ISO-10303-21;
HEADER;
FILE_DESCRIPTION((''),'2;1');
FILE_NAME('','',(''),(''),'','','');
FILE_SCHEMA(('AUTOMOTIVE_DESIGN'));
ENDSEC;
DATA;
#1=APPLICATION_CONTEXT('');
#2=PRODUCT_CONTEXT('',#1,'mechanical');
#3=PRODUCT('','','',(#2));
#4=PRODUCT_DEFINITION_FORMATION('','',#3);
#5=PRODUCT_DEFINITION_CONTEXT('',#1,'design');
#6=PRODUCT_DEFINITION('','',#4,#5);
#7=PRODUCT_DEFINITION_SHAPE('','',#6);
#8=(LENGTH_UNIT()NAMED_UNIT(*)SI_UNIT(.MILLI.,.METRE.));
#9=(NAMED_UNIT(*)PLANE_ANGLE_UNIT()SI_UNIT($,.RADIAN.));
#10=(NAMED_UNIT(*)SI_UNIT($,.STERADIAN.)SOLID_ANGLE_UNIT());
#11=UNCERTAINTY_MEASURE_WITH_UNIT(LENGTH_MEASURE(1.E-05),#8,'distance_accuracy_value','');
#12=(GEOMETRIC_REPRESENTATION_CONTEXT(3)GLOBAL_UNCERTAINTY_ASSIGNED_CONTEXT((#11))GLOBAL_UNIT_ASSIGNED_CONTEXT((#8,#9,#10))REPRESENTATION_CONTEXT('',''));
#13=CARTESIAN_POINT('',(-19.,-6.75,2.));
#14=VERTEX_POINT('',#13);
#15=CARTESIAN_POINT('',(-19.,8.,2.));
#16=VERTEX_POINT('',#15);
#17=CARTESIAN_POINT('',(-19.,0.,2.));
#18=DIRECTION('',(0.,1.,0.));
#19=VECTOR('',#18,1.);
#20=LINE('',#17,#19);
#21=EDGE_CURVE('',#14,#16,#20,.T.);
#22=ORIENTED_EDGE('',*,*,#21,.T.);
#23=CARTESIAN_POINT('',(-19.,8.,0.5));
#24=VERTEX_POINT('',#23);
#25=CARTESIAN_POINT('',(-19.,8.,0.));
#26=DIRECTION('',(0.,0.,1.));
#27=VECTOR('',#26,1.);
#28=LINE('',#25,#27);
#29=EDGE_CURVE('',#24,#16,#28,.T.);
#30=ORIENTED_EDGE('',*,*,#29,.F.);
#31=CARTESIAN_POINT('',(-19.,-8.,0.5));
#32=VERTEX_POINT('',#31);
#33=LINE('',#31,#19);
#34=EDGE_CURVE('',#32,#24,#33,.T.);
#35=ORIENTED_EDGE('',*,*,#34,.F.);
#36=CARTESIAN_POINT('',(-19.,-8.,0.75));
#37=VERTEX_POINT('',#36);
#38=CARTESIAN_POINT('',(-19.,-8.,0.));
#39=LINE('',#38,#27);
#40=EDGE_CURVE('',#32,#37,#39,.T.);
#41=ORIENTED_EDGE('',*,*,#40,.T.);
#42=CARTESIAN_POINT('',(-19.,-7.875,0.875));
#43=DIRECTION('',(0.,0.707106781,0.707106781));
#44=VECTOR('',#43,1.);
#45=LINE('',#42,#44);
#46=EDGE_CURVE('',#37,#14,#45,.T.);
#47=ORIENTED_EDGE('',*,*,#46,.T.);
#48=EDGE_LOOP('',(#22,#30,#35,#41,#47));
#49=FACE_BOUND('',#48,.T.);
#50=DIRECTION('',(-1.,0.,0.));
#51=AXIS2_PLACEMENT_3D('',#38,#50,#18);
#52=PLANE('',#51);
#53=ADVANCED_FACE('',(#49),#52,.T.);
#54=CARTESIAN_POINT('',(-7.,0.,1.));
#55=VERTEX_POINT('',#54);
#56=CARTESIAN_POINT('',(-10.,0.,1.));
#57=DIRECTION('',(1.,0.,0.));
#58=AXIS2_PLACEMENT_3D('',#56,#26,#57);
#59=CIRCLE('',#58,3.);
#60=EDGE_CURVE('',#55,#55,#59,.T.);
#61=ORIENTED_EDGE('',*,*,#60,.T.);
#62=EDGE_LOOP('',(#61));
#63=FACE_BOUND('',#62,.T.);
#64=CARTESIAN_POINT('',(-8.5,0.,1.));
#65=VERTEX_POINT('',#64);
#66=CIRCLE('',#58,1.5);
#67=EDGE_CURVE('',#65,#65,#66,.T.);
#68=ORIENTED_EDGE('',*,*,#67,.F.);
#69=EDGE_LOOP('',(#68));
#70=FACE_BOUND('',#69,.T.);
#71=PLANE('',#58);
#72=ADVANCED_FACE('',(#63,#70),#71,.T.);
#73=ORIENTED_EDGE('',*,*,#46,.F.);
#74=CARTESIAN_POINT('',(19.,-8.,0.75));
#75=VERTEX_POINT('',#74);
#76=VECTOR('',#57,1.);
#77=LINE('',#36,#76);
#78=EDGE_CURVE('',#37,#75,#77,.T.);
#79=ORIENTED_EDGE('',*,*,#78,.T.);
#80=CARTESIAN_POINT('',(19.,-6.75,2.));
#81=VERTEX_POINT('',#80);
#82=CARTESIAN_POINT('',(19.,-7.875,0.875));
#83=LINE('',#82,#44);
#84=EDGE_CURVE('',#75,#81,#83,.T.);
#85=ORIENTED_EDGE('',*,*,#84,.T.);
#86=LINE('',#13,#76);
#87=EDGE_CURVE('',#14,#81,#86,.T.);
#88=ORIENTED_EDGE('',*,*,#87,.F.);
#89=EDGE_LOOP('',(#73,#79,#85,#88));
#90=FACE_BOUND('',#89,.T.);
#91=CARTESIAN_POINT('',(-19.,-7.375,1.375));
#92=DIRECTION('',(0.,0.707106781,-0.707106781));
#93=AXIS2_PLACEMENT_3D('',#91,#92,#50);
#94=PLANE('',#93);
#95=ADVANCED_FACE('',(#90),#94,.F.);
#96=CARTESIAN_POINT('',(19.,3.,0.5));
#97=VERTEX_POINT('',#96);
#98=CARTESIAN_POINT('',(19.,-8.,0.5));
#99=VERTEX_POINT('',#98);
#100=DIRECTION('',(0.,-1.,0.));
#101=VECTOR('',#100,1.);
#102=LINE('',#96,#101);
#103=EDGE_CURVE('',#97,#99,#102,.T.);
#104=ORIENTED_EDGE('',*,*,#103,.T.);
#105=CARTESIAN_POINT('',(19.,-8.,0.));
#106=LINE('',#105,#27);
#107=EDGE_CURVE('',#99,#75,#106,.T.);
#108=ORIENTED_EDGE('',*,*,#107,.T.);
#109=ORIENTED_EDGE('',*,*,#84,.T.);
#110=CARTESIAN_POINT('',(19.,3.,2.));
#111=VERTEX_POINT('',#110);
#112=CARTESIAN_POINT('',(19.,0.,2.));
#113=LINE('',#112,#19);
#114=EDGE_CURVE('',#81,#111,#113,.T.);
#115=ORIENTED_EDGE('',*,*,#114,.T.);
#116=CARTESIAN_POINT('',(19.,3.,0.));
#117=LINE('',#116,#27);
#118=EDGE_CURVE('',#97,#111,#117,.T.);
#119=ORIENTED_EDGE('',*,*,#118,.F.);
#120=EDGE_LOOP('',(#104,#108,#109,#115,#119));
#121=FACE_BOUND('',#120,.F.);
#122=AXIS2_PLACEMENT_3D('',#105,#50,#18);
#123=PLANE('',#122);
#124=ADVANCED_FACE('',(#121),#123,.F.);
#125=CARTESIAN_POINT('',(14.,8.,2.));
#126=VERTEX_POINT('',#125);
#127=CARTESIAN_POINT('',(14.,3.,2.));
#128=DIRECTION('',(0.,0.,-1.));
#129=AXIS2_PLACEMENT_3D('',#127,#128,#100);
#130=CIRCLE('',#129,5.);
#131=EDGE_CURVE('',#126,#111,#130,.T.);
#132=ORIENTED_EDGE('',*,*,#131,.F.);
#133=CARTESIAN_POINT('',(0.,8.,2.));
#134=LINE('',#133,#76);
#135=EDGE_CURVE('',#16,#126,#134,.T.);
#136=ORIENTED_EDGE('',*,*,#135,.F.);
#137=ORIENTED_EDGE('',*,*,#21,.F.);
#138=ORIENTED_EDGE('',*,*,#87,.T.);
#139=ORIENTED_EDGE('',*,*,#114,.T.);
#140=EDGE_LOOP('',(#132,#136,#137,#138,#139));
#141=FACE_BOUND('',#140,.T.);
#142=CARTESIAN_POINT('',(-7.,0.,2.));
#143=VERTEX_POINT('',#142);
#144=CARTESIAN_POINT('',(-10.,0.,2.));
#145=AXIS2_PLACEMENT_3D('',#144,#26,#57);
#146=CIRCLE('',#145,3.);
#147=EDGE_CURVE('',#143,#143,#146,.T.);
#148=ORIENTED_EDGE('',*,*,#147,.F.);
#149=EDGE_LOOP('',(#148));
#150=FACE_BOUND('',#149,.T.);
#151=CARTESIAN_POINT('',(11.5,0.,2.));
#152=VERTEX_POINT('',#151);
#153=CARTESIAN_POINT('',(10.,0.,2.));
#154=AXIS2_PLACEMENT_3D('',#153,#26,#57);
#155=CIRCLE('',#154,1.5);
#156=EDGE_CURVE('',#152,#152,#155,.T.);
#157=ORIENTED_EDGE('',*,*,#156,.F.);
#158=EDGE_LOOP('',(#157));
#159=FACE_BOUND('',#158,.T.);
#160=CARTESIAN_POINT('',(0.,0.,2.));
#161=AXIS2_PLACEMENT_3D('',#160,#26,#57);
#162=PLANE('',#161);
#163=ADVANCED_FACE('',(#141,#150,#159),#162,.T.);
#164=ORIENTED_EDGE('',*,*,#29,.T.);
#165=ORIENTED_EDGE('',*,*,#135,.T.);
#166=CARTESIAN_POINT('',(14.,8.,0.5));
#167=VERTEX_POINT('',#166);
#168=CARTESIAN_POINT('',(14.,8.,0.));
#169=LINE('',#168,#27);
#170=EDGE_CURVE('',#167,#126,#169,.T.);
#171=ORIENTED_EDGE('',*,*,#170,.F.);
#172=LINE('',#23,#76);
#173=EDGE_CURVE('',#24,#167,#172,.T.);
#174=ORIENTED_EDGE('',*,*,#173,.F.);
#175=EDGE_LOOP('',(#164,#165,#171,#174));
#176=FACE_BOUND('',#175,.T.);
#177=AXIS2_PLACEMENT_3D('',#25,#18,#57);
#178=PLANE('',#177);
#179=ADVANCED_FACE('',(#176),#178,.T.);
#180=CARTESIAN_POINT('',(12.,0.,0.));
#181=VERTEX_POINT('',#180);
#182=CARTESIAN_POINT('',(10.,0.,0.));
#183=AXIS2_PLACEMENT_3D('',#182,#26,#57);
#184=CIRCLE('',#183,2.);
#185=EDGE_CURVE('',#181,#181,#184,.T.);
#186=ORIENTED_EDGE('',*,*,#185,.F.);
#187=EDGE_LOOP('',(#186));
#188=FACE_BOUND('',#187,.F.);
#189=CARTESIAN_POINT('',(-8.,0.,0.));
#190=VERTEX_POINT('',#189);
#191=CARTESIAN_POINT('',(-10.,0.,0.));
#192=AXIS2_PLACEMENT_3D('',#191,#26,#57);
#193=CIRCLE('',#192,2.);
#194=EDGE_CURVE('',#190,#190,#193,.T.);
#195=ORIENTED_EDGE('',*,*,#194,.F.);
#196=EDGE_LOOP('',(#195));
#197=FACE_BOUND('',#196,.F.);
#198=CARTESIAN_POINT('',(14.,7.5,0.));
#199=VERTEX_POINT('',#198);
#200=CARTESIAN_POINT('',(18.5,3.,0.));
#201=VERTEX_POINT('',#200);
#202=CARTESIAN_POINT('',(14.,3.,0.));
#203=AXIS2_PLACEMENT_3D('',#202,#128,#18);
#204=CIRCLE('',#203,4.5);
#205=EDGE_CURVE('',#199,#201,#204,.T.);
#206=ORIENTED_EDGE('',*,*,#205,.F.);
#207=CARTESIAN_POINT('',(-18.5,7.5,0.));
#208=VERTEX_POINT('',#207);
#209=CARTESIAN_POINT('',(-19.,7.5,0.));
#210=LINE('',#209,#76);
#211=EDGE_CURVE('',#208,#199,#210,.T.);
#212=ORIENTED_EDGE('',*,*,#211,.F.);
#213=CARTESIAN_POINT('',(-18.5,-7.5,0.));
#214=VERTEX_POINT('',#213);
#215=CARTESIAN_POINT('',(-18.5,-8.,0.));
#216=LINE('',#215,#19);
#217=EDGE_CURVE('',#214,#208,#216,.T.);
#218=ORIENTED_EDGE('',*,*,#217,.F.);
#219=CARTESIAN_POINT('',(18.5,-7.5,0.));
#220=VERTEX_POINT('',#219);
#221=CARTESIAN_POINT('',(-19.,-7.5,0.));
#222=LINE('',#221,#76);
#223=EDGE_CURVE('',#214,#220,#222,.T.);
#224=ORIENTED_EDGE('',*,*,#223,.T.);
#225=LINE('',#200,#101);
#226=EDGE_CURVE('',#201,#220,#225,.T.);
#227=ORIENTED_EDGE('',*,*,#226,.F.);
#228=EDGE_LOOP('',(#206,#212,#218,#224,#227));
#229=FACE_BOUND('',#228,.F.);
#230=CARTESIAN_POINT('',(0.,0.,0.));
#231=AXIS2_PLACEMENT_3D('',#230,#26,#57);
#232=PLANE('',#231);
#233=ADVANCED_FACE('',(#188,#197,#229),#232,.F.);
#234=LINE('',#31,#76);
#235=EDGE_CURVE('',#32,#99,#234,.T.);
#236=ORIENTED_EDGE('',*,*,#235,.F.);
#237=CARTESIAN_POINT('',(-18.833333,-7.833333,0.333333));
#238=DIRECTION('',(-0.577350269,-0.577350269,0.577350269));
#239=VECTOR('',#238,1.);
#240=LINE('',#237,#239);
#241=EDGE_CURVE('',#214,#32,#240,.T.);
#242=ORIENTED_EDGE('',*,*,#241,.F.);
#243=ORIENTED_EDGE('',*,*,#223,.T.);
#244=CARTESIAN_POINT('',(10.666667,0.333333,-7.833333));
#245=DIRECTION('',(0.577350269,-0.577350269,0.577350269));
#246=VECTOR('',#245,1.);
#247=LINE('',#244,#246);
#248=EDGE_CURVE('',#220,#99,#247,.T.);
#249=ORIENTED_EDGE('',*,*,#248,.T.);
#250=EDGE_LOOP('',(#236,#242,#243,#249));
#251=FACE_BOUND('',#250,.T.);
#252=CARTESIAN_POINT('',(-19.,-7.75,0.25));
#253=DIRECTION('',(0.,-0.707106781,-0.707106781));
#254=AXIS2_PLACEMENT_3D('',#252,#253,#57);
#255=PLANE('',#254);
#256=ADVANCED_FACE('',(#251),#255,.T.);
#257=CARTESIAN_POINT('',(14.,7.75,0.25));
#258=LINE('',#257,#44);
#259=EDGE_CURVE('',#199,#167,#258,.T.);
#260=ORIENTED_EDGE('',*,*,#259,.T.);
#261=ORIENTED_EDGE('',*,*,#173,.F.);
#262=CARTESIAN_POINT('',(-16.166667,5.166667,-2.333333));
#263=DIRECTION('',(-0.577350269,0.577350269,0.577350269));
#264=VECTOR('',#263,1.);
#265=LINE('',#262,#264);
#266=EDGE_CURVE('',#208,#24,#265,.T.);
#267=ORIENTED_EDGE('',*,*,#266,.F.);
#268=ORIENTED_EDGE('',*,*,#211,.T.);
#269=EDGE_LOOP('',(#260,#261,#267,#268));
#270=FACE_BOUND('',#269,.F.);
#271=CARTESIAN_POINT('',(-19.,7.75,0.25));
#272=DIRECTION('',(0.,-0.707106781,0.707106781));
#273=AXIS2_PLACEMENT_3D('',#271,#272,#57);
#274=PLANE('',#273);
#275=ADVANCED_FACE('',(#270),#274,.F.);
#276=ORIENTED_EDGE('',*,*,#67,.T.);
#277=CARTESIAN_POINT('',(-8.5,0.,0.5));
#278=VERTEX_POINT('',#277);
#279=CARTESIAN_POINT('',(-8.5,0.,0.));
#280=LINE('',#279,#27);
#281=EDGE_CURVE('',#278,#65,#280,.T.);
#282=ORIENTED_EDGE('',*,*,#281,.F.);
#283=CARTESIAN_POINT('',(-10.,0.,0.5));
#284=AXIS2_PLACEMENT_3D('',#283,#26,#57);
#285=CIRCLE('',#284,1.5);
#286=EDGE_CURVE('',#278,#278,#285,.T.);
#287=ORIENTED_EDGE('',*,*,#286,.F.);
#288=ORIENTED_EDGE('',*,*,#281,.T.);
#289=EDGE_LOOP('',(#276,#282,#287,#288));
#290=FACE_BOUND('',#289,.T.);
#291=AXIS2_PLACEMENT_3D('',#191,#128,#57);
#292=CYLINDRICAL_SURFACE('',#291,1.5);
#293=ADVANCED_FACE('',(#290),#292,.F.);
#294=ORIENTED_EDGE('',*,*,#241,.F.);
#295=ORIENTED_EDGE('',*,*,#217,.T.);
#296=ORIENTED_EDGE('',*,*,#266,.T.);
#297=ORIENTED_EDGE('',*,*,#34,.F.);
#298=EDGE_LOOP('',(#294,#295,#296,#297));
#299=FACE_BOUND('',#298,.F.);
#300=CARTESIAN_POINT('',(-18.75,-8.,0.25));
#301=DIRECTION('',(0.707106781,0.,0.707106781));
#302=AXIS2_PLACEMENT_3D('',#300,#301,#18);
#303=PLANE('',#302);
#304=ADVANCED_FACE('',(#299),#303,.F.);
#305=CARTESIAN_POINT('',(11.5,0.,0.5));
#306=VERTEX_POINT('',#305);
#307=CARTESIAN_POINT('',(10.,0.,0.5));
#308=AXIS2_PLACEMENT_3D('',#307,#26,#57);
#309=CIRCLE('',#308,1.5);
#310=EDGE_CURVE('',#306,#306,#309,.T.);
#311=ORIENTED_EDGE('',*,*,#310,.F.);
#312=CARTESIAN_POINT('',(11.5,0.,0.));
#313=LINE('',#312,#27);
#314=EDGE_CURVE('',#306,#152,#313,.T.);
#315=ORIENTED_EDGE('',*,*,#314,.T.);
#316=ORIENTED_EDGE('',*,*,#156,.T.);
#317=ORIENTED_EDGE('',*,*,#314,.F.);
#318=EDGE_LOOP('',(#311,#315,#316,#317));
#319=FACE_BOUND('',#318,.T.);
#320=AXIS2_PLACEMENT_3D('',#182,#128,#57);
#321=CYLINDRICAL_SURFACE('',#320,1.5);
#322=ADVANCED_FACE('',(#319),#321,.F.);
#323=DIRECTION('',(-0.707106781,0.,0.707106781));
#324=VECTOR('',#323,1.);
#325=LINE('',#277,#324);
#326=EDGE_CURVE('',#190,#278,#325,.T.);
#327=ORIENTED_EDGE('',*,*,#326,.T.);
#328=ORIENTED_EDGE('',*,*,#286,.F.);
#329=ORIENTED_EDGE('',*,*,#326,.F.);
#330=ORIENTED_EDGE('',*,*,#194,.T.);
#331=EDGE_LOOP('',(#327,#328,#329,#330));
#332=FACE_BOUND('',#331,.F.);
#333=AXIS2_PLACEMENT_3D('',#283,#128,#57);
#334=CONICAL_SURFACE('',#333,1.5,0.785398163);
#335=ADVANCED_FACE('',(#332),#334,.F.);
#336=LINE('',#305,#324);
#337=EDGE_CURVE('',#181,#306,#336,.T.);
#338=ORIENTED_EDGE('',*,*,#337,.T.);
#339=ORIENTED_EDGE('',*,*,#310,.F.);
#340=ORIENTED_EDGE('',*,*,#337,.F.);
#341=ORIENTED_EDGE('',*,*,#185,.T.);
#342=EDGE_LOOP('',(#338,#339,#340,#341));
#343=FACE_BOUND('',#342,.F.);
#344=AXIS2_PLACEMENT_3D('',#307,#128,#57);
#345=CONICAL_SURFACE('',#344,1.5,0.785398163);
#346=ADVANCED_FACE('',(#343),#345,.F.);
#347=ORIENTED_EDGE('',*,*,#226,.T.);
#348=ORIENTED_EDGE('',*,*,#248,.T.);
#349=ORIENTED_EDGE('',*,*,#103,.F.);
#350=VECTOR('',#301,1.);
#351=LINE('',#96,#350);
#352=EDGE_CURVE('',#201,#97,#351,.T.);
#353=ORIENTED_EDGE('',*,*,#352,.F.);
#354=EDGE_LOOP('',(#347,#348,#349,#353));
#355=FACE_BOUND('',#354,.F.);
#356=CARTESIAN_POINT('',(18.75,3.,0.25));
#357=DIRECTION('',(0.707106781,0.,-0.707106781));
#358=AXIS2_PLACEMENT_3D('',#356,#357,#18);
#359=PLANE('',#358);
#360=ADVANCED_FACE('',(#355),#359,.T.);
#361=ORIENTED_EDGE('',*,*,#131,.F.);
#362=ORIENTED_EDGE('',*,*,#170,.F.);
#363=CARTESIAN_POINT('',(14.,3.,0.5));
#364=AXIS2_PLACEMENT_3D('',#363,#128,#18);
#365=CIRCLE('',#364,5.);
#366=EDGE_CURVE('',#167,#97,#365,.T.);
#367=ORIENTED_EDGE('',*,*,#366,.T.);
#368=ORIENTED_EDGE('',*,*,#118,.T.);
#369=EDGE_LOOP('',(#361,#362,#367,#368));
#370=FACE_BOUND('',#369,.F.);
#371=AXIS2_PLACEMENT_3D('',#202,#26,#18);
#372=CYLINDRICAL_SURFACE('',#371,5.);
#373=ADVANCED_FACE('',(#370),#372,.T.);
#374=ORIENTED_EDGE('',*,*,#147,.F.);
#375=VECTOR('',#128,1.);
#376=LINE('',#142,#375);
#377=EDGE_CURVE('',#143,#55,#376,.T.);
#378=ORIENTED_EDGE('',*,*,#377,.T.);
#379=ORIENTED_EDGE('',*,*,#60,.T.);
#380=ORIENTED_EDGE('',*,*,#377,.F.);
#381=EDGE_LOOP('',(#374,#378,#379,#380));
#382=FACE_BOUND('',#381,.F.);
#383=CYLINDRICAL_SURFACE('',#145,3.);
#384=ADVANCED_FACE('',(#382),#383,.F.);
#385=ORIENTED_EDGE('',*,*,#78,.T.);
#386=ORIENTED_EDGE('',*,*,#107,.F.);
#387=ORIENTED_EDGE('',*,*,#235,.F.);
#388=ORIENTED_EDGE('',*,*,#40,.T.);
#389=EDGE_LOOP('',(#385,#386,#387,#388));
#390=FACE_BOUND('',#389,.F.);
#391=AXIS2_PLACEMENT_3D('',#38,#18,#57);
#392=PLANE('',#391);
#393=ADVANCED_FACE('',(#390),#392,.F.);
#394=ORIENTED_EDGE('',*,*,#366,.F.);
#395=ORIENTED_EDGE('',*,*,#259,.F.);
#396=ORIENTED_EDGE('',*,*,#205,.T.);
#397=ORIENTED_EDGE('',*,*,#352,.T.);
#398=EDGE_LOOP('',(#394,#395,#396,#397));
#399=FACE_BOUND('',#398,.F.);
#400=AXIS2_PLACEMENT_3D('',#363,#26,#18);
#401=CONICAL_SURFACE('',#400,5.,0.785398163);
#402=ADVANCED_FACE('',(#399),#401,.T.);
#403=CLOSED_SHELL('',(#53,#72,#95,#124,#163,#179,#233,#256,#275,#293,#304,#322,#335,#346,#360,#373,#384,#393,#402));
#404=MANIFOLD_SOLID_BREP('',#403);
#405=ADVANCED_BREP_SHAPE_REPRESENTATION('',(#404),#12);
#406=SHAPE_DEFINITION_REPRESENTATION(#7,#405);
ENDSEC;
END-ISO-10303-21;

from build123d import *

# Parameters (mm, degrees)
F0_W     = 38
F0_H     = 16
F0_R     = 1.5
F1_DEPTH = 2
F2_SIZE  = 1.25
F4_R     = 5
F3_R     = 3
F3_R_2   = 1.5
F5_DEPTH = 1
F6_SIZE  = 0.5


with BuildPart() as f1:
    # F0 (on Top) → F1 (new body)
    with BuildSketch(Plane.XY):
        Rectangle(F0_W, F0_H)
        with Locations((-10, 0)):
            Circle(F0_R, mode=Mode.SUBTRACT)
        with Locations((10, 0)):
            Circle(F0_R, mode=Mode.SUBTRACT)
    extrude(amount=F1_DEPTH)

    # F2
    f2_edges = [f1.edges().sort_by_distance(p)[0] for p in [
        (0, -8, 2),
    ]]
    chamfer(f2_edges, length=F2_SIZE)

    # F4
    f4_edges = [f1.edges().sort_by_distance(p)[0] for p in [
        (19, 8, 1),
    ]]
    fillet(f4_edges, radius=F4_R)

    # F3 (on face) → F5 (cut)
    with BuildSketch(Plane.XY.offset(2)):
        with Locations((-10, 0)):
            Circle(F3_R)
        with Locations((-10, 0)):
            Circle(F3_R_2, mode=Mode.SUBTRACT)
    extrude(amount=-F5_DEPTH, mode=Mode.SUBTRACT)

    # F6
    f6_edges = [f1.edges().sort_by_distance(p)[0] for p in [
        (-2.5, 8, 0),
        (17.535534, 6.535534, 0),
        (-19, 0, 0),
        (19, -2.5, 0),
        (0, -8, 0),
        (-11.5, 0, 0),
        (8.5, 0, 0),
    ]]
    chamfer(f6_edges, length=F6_SIZE)


solid = f1.part
